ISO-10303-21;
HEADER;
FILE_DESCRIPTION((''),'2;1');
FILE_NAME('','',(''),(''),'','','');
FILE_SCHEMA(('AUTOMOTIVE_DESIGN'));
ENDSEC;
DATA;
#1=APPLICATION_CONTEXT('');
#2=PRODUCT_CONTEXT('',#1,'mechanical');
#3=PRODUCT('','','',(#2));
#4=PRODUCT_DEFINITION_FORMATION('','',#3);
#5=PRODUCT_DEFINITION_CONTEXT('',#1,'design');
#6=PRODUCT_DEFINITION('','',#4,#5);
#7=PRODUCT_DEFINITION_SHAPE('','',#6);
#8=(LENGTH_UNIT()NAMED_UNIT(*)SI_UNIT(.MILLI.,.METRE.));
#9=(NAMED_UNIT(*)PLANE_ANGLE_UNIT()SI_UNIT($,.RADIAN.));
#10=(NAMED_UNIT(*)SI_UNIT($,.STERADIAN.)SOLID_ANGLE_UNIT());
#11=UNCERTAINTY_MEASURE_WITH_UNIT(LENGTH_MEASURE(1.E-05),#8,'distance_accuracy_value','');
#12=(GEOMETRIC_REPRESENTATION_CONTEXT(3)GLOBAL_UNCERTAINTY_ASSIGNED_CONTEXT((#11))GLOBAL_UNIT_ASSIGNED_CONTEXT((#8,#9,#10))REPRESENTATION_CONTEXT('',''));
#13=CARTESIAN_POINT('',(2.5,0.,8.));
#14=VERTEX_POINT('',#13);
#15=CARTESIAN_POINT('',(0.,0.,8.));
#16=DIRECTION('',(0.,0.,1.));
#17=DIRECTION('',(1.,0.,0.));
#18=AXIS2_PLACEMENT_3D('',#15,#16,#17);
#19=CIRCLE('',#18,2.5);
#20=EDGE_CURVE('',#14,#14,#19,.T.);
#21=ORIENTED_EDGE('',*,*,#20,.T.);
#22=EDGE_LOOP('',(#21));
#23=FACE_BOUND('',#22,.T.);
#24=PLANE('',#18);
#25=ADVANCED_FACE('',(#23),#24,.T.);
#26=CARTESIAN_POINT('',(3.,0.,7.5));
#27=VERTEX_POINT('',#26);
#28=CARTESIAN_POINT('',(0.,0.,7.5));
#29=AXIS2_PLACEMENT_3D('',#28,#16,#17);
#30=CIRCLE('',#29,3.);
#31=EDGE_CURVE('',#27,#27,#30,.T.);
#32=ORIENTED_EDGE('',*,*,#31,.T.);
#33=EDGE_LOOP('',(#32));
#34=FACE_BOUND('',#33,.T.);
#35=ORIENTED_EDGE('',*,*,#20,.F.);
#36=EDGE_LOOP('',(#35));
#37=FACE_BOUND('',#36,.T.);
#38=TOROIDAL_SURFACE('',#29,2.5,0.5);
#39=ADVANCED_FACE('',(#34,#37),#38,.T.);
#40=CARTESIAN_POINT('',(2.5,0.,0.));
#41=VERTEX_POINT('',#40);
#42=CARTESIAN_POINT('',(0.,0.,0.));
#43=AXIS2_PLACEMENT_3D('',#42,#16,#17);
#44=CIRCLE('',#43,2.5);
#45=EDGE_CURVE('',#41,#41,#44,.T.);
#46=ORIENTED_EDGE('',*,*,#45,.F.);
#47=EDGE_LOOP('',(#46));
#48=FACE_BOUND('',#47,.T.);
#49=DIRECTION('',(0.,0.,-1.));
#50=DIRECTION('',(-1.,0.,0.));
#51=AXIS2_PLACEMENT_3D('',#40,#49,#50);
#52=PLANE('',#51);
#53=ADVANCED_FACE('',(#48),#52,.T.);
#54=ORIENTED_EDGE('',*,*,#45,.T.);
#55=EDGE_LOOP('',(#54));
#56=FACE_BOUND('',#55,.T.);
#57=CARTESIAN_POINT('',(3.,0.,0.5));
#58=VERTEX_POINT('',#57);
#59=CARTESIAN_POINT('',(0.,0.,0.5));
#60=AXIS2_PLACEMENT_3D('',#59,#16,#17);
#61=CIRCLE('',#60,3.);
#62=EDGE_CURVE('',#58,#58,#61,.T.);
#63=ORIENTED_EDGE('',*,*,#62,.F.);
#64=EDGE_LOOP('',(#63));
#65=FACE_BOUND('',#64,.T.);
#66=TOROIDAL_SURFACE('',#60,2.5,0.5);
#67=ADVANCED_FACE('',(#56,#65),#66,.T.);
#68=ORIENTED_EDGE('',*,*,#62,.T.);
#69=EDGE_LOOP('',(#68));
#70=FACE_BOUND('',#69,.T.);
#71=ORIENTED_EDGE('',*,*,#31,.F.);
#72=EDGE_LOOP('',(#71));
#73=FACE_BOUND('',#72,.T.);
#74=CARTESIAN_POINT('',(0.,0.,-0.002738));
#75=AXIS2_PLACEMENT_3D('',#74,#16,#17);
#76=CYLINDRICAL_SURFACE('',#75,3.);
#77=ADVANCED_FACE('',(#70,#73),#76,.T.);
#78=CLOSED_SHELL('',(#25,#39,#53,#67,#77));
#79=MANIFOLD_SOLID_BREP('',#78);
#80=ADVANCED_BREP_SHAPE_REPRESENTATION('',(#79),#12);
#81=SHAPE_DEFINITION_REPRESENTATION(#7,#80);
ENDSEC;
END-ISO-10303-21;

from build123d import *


with BuildPart() as part:
    # 草圖1 → 旋轉1 (revolve)
    with BuildSketch(Plane(origin=(0, 0, 0), x_dir=(1, 0, 0), z_dir=(0, 1, 0))):
        with BuildLine():
            Line((2.5, 0), (0, 0))
            Line((0, 0), (0, -8))
            Line((0, -8), (2.5, -8))
            ThreePointArc((2.5, -8), (2.853553391, -7.853553391), (3, -7.5))
            Line((3, -7.5), (3, -0.5))
            ThreePointArc((3, -0.5), (2.853553391, -0.146446609), (2.5, 0))
        make_face()
    revolve(axis=Axis((0, 0, -0.002738152), (0, 0, 1)))


solid = part.part
